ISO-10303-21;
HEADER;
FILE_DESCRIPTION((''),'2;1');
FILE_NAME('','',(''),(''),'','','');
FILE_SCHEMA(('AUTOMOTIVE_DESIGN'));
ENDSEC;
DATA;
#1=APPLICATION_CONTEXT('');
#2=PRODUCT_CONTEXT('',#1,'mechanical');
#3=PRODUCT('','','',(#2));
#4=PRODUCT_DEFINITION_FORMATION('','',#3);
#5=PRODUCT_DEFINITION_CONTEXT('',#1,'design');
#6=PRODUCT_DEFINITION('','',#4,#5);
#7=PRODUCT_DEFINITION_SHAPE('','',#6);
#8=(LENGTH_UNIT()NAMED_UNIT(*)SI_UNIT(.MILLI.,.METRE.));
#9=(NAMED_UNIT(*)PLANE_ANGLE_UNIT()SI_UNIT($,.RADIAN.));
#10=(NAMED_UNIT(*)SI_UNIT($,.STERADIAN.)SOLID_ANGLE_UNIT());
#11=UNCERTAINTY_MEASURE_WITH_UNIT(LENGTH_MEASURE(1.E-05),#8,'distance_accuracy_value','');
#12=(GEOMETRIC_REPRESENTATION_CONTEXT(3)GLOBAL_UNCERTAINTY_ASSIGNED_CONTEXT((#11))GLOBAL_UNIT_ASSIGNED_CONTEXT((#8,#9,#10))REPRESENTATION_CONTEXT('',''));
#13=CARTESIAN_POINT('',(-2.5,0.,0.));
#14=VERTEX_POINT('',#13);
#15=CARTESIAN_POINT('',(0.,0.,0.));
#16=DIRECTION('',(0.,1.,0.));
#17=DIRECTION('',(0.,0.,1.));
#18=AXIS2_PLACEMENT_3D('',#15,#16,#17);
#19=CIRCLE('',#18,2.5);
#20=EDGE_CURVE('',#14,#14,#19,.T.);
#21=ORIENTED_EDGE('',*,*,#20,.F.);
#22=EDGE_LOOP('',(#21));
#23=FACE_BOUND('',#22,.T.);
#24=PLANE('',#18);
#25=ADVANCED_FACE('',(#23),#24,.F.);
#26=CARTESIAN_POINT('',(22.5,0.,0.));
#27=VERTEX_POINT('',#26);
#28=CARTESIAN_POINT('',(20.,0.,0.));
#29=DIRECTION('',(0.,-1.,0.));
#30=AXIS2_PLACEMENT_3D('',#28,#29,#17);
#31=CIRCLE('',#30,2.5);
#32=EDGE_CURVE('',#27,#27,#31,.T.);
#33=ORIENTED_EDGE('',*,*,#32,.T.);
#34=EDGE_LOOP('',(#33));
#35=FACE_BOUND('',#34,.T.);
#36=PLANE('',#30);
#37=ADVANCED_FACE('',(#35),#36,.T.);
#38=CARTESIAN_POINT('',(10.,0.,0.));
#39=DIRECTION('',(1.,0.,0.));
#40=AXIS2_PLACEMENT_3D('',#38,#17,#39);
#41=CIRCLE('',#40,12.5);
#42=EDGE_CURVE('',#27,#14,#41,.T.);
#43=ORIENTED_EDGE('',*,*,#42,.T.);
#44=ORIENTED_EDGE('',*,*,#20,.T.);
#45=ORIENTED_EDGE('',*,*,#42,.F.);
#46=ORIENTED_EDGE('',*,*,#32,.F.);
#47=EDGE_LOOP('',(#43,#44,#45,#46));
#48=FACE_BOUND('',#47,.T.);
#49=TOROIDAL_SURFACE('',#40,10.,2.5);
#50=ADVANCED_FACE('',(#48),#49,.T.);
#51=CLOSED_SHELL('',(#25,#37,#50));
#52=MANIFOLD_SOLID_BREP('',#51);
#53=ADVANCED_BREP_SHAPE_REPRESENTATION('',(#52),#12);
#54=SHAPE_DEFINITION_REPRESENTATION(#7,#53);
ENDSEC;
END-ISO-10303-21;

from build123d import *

# Parameters (mm, degrees)
SKETCH2_R = 2.5


with BuildPart() as part:
    # Sweep1: sweep along a path in Sketch3
    with BuildLine(Plane.XY) as sweep1_path:
        ThreePointArc((20, 0), (10, 10), (0, 0))
    # Sketch2 → Sweep1 (sweep)
    with BuildSketch(Plane(origin=(0, 0, 0), x_dir=(1, 0, 0), z_dir=(0, 1, 0))):
        Circle(SKETCH2_R)
    sweep(path=sweep1_path.line)


solid = part.part
